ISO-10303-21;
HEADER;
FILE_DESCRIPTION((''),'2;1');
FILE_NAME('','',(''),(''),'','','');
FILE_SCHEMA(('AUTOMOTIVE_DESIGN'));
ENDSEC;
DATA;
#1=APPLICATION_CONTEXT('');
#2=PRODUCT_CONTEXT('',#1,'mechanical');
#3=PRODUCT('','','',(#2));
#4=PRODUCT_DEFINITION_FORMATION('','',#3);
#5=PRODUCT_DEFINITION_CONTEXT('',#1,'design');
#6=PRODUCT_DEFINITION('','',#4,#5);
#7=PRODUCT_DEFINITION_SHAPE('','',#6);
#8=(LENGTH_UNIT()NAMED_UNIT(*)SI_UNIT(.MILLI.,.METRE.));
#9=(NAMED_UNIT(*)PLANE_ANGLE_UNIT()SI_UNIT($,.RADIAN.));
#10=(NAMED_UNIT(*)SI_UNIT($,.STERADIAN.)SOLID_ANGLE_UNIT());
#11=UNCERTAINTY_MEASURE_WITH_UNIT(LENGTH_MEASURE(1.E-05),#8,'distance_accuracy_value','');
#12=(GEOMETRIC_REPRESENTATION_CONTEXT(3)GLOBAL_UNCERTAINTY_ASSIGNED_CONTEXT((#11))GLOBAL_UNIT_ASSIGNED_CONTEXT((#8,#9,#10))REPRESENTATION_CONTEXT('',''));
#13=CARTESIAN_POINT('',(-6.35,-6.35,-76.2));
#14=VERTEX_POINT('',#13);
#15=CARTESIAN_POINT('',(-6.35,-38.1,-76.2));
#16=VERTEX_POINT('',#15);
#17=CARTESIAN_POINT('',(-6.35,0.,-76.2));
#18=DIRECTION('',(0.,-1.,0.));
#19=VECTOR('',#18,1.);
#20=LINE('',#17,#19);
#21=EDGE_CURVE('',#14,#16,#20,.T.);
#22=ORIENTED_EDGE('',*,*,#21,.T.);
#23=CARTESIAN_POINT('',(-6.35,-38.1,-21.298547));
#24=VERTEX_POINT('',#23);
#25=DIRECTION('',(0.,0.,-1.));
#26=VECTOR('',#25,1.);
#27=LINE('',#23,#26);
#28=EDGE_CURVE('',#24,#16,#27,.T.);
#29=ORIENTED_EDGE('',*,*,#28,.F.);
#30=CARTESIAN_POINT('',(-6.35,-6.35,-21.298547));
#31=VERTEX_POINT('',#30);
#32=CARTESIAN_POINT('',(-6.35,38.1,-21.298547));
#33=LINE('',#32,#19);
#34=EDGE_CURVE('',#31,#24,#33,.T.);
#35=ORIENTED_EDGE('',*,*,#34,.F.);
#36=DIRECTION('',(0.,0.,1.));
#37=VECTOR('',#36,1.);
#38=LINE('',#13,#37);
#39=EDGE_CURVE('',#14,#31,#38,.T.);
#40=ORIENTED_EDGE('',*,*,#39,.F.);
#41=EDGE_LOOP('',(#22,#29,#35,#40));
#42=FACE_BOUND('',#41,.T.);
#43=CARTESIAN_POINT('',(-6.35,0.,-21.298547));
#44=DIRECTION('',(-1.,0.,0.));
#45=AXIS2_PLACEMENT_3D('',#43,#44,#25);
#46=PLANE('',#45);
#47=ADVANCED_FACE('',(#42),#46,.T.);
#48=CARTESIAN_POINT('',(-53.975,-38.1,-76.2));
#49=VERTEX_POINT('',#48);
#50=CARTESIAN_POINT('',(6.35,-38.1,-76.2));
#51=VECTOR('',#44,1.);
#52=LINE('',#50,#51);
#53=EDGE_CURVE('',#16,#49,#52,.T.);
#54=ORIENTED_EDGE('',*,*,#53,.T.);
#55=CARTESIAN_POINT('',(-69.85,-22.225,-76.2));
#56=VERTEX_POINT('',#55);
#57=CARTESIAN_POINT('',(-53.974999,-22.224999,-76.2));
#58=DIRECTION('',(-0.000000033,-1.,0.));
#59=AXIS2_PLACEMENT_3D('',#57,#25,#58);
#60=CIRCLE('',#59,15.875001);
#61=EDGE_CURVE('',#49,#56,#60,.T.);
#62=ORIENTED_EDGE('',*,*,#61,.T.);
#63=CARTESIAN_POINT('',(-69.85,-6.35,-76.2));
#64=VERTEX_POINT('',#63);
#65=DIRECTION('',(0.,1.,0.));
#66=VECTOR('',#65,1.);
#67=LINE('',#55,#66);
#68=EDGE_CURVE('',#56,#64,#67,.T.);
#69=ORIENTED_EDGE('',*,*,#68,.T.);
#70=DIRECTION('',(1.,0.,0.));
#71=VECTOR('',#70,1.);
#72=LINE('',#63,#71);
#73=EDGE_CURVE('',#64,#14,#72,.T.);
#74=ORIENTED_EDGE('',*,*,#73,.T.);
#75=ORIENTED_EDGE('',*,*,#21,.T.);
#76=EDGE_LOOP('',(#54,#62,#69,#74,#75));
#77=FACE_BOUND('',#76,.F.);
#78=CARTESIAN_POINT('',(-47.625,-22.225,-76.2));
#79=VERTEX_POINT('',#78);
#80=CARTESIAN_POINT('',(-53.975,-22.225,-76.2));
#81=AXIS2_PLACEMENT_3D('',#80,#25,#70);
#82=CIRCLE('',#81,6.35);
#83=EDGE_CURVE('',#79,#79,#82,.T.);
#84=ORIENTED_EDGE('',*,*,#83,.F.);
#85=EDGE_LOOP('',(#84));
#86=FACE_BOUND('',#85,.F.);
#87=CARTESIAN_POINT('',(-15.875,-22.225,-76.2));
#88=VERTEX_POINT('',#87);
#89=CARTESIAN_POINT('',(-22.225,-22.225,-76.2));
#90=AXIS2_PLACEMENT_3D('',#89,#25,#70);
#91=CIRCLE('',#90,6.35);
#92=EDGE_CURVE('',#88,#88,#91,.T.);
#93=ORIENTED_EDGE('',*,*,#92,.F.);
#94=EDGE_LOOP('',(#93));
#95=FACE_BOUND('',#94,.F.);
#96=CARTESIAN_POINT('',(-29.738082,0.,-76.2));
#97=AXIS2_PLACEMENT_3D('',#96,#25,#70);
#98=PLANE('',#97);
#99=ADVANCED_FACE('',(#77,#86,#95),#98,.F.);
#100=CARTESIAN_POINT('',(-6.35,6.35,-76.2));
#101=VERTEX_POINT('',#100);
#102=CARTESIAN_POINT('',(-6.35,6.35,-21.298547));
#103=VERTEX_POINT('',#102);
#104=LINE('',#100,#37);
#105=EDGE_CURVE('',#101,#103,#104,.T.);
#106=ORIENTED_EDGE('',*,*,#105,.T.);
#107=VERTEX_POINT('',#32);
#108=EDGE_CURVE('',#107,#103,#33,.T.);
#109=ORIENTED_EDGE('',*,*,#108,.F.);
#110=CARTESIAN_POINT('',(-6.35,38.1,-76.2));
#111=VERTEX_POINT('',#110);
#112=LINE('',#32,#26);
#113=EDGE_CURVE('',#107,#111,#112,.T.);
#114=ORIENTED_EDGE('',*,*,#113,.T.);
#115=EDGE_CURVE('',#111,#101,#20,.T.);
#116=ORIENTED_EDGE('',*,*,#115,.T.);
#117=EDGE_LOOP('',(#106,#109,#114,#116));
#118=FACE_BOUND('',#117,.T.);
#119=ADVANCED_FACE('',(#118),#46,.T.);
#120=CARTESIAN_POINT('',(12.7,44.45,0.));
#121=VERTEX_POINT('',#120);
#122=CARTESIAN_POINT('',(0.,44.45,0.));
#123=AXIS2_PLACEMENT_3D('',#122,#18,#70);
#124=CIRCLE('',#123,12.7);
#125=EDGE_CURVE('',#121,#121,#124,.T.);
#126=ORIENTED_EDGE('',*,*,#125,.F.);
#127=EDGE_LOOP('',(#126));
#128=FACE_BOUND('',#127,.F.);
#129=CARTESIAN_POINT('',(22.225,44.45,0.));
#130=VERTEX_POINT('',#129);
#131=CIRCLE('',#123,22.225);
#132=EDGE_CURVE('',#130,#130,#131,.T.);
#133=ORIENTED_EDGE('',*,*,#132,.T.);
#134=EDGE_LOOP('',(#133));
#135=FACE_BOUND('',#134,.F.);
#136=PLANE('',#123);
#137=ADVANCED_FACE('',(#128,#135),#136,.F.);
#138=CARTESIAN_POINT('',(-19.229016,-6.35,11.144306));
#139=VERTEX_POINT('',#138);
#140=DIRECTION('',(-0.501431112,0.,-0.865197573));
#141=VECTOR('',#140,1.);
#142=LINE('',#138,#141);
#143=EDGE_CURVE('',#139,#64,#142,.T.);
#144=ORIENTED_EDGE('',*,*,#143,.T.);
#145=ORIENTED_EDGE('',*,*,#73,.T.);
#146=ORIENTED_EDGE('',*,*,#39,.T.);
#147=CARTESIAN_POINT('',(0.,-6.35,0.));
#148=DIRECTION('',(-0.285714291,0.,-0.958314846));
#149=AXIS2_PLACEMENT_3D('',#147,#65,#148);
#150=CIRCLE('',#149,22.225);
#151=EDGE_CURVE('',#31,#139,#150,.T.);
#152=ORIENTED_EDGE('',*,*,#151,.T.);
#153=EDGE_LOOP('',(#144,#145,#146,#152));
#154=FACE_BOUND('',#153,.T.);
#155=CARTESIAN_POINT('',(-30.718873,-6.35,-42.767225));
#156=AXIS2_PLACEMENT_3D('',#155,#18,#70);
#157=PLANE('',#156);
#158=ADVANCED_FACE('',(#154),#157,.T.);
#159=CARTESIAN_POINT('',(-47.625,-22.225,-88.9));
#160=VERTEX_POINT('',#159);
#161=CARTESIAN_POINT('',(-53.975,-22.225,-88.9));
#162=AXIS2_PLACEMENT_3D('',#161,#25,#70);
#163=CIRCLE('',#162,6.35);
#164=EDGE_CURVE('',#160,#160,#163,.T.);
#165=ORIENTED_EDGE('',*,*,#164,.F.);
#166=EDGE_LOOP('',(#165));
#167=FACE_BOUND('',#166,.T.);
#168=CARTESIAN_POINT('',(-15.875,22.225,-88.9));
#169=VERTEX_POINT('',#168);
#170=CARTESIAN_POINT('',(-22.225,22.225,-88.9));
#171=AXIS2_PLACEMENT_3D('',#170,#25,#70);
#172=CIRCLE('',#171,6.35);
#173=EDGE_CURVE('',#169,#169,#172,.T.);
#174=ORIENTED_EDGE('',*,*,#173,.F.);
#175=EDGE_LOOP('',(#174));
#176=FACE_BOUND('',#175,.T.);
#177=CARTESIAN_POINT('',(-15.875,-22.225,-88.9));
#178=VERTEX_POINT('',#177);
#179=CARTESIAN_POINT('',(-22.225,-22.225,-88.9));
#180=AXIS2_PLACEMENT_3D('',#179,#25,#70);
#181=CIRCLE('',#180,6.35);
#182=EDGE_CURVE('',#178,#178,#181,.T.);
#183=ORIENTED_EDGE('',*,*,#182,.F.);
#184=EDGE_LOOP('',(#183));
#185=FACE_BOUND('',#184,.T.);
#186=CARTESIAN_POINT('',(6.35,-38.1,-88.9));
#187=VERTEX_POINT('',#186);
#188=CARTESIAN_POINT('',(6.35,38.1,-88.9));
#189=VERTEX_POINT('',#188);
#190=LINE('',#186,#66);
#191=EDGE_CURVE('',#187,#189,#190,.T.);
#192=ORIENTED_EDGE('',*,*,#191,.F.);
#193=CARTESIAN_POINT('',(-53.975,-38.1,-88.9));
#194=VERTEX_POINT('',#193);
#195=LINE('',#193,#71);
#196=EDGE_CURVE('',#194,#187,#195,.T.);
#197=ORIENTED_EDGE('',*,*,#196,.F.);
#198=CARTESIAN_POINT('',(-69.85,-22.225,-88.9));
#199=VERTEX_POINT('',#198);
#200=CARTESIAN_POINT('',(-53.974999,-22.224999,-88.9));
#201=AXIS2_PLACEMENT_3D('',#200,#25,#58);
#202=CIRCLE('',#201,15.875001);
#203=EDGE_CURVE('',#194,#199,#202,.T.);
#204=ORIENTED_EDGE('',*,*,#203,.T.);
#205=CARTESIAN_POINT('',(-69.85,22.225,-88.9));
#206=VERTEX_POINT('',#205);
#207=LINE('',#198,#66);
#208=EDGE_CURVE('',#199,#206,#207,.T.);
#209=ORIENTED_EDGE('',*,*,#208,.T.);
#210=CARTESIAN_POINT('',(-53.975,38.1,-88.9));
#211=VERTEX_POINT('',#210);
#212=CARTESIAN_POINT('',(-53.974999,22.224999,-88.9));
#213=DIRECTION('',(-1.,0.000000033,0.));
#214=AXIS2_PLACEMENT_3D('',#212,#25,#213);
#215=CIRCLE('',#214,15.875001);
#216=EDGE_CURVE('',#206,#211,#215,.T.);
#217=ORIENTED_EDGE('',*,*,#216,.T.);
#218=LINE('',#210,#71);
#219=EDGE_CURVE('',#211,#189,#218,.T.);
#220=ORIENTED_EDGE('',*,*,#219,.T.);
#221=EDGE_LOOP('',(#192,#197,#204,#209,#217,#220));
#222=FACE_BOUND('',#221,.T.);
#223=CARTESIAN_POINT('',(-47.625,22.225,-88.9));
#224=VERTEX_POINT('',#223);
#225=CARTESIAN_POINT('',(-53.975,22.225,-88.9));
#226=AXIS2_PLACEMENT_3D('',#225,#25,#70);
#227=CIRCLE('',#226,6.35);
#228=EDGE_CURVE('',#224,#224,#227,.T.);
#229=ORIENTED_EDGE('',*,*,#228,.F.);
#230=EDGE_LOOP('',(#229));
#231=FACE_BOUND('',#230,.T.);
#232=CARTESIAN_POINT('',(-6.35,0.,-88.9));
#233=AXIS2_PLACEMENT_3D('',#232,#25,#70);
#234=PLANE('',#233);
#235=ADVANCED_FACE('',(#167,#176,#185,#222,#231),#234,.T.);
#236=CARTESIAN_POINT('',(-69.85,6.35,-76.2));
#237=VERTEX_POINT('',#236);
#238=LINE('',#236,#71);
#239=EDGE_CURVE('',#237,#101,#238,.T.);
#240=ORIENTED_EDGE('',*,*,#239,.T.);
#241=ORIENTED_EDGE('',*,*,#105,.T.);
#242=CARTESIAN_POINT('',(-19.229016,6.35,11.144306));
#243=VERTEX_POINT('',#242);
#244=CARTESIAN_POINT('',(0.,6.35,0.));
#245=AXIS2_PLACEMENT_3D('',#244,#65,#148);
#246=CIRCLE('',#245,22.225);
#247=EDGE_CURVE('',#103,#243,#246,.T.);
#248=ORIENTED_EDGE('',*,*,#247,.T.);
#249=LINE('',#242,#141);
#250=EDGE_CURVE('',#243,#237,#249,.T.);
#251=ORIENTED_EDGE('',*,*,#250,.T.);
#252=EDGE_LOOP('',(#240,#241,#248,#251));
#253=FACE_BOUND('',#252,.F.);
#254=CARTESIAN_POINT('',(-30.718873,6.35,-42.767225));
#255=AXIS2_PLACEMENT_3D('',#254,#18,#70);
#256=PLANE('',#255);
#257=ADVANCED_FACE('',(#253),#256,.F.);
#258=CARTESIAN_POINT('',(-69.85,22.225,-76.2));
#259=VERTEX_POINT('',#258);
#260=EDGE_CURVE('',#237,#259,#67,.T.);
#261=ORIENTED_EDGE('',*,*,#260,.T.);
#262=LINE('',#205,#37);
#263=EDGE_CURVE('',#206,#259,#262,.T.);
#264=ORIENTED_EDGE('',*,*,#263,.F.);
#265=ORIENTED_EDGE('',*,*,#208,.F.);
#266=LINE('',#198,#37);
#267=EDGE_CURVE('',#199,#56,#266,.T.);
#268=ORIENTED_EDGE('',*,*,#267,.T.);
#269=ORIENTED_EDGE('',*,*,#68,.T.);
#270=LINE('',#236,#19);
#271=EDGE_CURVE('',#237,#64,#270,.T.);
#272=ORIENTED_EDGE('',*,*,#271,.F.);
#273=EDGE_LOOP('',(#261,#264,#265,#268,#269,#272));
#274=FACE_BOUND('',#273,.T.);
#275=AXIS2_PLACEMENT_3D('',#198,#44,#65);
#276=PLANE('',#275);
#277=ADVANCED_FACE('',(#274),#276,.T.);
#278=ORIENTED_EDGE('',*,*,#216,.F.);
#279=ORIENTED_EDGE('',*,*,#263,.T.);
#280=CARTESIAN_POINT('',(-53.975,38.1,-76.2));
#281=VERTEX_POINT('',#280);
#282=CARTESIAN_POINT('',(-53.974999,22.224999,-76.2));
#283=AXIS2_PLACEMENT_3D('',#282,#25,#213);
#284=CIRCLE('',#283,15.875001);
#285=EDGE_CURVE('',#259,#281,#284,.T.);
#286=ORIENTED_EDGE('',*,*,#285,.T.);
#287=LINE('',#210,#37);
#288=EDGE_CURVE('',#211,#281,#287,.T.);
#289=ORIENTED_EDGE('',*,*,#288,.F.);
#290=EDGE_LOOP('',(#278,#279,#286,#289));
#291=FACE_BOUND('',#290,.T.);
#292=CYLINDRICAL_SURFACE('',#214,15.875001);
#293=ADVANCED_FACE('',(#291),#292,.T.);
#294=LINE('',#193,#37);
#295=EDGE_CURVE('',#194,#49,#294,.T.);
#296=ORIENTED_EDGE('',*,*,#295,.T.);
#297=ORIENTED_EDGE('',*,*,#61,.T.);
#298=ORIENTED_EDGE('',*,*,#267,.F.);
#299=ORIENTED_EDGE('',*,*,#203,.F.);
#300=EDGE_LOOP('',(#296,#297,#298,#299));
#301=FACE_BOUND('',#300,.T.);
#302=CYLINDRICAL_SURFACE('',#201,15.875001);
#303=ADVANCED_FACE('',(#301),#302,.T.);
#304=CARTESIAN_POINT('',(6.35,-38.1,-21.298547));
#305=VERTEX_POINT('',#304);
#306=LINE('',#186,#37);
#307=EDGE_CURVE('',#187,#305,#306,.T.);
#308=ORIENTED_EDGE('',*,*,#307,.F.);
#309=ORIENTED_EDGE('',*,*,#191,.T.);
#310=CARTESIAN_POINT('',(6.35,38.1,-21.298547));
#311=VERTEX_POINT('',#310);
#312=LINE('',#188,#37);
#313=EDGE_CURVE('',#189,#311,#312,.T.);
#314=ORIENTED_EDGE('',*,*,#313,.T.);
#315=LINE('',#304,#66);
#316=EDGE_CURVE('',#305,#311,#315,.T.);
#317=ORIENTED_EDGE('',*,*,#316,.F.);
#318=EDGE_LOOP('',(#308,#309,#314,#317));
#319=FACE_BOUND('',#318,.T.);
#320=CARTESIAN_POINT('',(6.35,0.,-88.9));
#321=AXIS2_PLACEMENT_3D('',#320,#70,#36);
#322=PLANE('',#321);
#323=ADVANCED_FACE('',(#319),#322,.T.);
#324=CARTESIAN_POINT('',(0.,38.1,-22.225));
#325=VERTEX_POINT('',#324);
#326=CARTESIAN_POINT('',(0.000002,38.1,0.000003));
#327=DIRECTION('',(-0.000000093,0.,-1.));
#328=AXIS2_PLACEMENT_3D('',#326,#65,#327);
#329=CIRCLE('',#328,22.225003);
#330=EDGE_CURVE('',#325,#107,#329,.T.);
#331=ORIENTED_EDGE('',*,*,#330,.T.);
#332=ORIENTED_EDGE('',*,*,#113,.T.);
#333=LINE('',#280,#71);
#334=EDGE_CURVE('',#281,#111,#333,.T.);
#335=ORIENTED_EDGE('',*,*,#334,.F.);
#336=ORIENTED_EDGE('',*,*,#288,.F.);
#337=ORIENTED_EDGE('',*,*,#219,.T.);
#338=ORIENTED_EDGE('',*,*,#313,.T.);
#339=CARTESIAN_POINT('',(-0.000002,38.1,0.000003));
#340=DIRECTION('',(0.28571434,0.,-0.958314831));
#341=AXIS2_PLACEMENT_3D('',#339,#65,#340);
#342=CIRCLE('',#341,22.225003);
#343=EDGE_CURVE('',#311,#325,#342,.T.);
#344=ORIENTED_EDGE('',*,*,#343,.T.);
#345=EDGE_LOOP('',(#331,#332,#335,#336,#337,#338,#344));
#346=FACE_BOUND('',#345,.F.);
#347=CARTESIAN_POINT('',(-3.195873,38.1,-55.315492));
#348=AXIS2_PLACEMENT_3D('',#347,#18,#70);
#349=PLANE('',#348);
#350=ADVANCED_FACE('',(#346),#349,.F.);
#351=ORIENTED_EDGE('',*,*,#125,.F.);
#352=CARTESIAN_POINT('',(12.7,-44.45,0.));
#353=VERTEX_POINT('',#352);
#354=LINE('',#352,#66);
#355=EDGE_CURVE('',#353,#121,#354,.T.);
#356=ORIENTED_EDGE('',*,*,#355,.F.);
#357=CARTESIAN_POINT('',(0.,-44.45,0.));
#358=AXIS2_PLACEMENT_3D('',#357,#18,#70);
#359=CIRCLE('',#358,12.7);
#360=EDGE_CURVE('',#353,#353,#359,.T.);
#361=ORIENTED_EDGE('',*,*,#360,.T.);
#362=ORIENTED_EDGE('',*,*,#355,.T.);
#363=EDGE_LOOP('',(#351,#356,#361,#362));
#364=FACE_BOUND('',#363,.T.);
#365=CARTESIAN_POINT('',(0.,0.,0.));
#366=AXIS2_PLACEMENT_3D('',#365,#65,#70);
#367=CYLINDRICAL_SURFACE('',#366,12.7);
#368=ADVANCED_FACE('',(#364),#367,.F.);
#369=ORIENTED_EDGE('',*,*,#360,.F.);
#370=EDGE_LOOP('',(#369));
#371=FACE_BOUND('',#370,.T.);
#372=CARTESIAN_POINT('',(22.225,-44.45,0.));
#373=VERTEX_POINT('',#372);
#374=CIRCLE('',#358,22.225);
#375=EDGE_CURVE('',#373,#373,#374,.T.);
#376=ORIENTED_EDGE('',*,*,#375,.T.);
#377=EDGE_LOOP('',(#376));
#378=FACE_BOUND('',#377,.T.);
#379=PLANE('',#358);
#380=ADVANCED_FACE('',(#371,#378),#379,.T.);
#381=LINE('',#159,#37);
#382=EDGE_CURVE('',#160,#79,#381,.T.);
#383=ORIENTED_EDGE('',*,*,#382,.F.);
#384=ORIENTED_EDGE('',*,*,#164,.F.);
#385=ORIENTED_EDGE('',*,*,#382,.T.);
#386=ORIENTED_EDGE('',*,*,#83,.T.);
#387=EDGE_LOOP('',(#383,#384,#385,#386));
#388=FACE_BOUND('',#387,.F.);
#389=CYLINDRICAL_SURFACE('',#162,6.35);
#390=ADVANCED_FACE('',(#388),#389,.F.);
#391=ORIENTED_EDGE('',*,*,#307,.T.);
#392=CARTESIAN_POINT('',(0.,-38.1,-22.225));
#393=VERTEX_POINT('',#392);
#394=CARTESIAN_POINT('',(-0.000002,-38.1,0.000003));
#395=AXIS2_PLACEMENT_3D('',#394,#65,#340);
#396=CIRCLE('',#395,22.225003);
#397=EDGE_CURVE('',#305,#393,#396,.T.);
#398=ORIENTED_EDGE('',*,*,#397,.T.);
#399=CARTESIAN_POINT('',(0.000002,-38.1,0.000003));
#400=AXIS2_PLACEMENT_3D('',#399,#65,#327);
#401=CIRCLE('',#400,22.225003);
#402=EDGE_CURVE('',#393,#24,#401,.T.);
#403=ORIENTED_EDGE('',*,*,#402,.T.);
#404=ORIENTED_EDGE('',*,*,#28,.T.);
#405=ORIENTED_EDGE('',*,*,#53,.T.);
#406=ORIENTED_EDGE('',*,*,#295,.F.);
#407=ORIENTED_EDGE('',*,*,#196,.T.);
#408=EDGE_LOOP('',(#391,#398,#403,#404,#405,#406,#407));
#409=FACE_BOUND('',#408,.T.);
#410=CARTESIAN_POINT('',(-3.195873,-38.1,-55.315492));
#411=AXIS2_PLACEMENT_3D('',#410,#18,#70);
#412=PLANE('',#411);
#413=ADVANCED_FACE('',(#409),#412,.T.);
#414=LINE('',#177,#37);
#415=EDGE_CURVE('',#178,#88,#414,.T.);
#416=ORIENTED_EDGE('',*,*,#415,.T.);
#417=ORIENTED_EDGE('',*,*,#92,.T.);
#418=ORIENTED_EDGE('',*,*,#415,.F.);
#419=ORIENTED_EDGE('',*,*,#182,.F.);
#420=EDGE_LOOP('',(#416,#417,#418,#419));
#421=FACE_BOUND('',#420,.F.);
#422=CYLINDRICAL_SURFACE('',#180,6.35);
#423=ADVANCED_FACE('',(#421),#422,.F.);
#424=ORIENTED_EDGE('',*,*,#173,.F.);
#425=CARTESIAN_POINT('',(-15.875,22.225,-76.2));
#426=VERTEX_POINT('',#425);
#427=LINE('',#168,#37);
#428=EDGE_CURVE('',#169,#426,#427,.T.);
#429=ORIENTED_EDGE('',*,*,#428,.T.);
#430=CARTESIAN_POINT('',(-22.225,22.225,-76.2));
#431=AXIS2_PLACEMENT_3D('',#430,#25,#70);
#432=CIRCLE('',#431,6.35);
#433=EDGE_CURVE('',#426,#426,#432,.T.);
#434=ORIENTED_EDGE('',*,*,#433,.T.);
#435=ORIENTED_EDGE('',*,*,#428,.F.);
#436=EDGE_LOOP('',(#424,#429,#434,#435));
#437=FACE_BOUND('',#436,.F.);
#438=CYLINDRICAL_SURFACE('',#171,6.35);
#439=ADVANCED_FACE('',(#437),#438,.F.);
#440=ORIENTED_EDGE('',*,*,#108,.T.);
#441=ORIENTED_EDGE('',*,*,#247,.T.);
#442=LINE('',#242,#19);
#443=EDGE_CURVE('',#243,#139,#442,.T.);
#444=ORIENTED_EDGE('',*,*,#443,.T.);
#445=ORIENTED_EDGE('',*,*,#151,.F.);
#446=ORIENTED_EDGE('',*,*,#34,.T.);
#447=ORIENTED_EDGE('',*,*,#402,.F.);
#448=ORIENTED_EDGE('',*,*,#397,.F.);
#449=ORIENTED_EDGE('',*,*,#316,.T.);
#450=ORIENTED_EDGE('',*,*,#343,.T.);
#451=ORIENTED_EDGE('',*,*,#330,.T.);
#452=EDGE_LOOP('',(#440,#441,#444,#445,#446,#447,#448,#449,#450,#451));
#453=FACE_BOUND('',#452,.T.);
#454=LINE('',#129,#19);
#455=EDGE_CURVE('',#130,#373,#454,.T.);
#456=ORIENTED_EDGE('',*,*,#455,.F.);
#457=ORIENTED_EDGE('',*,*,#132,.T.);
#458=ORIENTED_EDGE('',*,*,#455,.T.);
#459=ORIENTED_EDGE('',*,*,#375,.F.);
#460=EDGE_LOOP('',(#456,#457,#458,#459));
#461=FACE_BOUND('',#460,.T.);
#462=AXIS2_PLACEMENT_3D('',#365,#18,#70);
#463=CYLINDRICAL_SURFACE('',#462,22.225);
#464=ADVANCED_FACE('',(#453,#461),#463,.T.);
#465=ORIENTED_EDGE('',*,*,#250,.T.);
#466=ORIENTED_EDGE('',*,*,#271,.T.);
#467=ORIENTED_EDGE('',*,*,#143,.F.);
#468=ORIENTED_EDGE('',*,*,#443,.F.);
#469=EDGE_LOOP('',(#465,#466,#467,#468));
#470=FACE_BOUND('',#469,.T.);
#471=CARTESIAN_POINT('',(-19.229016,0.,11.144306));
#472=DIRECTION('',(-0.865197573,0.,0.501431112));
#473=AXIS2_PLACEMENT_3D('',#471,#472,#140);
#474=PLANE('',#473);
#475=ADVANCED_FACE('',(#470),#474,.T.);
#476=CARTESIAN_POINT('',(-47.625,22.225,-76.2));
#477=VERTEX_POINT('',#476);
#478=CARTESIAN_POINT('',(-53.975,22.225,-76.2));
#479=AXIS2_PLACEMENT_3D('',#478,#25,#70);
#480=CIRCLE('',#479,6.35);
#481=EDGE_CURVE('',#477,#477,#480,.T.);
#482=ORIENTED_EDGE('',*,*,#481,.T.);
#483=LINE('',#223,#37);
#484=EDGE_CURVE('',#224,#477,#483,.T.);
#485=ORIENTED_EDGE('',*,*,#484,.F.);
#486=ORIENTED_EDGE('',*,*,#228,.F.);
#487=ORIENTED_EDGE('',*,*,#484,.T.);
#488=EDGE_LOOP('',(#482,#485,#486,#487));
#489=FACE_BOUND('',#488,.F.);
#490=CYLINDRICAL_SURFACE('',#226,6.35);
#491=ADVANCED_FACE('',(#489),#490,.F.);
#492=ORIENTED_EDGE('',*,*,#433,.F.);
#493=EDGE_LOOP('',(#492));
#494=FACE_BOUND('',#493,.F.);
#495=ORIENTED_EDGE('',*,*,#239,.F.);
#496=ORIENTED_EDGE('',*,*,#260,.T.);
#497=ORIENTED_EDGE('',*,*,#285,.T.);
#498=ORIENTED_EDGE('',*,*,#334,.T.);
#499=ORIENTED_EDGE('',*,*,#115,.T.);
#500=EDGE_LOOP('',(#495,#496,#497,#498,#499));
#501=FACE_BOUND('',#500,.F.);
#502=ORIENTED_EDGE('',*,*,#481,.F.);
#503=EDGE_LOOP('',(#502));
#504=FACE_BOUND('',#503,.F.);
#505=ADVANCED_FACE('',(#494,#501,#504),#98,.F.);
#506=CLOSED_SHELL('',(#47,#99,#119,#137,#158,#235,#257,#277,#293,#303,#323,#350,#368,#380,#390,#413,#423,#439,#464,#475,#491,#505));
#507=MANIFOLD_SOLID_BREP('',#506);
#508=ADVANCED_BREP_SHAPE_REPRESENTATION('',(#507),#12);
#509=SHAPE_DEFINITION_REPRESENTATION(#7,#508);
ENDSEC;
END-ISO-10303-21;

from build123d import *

# Parameters (mm, degrees)
F0_R     = 22.225
F0_R_2   = 12.7
F1_DEPTH = 44.45
F3_DEPTH = 38.1
F4_R     = 6.35
F5_DEPTH = 12.7
F7_DEPTH = 6.35


with BuildPart() as f1:
    # F0 (on Front) → F1 (new body, symmetric)
    with BuildSketch(Plane.XZ):
        Circle(F0_R)
        Circle(F0_R_2, mode=Mode.SUBTRACT)
    extrude(amount=F1_DEPTH, both=True)

    # F2 (on Front) → F3 (join, symmetric)
    with BuildSketch(Plane.XZ):
        with BuildLine():
            ThreePointArc((0, -22.225), (-3.208614, -21.992167), (-6.35, -21.298547))
            Line((-6.35, -21.298547), (-6.35, -88.9))
            Line((-6.35, -88.9), (0, -88.9))
            Line((0, -88.9), (0, -22.225))
        make_face()
        with BuildLine():
            ThreePointArc((6.35, -21.298547), (3.208614, -21.992167), (0, -22.225))
            Line((0, -22.225), (0, -88.9))
            Line((0, -88.9), (6.35, -88.9))
            Line((6.35, -88.9), (6.35, -21.298547))
        make_face()
    extrude(amount=F3_DEPTH, both=True)

    # F4 (on face) → F5 (join)
    with BuildSketch(Plane(origin=(0, 0, -88.9), x_dir=(1, 0, 0), z_dir=(0, 0, -1))):
        with BuildLine():
            Line((6.35, -38.1), (6.35, 38.1))
            Line((6.35, 38.1), (-53.975, 38.1))
            ThreePointArc((-53.975, 38.1), (-65.20032, 33.45032), (-69.85, 22.225))
            Line((-69.85, 22.225), (-69.85, -22.225))
            ThreePointArc((-69.85, -22.225), (-65.20032, -33.45032), (-53.975, -38.1))
            Line((-53.975, -38.1), (6.35, -38.1))
        make_face()
        with Locations((-53.975, -22.225)):
            Circle(F4_R, mode=Mode.SUBTRACT)
        with Locations((-22.225, -22.225)):
            Circle(F4_R, mode=Mode.SUBTRACT)
        with Locations((-53.975, 22.225)):
            Circle(F4_R, mode=Mode.SUBTRACT)
        with Locations((-22.225, 22.225)):
            Circle(F4_R, mode=Mode.SUBTRACT)
    extrude(amount=-F5_DEPTH)

    # F6 (on Front) → F7 (join, symmetric)
    with BuildSketch(Plane.XZ):
        with BuildLine():
            ThreePointArc((-6.35, -21.298547), (-20.656868, -8.200269), (-19.229016, 11.144306))
            Line((-19.229016, 11.144306), (-69.85, -76.2))
            Line((-69.85, -76.2), (-53.975, -76.2))
            Line((-53.975, -76.2), (-6.35, -76.2))
            Line((-6.35, -76.2), (-6.35, -21.298547))
        make_face()
    extrude(amount=F7_DEPTH, both=True)


solid = f1.part
